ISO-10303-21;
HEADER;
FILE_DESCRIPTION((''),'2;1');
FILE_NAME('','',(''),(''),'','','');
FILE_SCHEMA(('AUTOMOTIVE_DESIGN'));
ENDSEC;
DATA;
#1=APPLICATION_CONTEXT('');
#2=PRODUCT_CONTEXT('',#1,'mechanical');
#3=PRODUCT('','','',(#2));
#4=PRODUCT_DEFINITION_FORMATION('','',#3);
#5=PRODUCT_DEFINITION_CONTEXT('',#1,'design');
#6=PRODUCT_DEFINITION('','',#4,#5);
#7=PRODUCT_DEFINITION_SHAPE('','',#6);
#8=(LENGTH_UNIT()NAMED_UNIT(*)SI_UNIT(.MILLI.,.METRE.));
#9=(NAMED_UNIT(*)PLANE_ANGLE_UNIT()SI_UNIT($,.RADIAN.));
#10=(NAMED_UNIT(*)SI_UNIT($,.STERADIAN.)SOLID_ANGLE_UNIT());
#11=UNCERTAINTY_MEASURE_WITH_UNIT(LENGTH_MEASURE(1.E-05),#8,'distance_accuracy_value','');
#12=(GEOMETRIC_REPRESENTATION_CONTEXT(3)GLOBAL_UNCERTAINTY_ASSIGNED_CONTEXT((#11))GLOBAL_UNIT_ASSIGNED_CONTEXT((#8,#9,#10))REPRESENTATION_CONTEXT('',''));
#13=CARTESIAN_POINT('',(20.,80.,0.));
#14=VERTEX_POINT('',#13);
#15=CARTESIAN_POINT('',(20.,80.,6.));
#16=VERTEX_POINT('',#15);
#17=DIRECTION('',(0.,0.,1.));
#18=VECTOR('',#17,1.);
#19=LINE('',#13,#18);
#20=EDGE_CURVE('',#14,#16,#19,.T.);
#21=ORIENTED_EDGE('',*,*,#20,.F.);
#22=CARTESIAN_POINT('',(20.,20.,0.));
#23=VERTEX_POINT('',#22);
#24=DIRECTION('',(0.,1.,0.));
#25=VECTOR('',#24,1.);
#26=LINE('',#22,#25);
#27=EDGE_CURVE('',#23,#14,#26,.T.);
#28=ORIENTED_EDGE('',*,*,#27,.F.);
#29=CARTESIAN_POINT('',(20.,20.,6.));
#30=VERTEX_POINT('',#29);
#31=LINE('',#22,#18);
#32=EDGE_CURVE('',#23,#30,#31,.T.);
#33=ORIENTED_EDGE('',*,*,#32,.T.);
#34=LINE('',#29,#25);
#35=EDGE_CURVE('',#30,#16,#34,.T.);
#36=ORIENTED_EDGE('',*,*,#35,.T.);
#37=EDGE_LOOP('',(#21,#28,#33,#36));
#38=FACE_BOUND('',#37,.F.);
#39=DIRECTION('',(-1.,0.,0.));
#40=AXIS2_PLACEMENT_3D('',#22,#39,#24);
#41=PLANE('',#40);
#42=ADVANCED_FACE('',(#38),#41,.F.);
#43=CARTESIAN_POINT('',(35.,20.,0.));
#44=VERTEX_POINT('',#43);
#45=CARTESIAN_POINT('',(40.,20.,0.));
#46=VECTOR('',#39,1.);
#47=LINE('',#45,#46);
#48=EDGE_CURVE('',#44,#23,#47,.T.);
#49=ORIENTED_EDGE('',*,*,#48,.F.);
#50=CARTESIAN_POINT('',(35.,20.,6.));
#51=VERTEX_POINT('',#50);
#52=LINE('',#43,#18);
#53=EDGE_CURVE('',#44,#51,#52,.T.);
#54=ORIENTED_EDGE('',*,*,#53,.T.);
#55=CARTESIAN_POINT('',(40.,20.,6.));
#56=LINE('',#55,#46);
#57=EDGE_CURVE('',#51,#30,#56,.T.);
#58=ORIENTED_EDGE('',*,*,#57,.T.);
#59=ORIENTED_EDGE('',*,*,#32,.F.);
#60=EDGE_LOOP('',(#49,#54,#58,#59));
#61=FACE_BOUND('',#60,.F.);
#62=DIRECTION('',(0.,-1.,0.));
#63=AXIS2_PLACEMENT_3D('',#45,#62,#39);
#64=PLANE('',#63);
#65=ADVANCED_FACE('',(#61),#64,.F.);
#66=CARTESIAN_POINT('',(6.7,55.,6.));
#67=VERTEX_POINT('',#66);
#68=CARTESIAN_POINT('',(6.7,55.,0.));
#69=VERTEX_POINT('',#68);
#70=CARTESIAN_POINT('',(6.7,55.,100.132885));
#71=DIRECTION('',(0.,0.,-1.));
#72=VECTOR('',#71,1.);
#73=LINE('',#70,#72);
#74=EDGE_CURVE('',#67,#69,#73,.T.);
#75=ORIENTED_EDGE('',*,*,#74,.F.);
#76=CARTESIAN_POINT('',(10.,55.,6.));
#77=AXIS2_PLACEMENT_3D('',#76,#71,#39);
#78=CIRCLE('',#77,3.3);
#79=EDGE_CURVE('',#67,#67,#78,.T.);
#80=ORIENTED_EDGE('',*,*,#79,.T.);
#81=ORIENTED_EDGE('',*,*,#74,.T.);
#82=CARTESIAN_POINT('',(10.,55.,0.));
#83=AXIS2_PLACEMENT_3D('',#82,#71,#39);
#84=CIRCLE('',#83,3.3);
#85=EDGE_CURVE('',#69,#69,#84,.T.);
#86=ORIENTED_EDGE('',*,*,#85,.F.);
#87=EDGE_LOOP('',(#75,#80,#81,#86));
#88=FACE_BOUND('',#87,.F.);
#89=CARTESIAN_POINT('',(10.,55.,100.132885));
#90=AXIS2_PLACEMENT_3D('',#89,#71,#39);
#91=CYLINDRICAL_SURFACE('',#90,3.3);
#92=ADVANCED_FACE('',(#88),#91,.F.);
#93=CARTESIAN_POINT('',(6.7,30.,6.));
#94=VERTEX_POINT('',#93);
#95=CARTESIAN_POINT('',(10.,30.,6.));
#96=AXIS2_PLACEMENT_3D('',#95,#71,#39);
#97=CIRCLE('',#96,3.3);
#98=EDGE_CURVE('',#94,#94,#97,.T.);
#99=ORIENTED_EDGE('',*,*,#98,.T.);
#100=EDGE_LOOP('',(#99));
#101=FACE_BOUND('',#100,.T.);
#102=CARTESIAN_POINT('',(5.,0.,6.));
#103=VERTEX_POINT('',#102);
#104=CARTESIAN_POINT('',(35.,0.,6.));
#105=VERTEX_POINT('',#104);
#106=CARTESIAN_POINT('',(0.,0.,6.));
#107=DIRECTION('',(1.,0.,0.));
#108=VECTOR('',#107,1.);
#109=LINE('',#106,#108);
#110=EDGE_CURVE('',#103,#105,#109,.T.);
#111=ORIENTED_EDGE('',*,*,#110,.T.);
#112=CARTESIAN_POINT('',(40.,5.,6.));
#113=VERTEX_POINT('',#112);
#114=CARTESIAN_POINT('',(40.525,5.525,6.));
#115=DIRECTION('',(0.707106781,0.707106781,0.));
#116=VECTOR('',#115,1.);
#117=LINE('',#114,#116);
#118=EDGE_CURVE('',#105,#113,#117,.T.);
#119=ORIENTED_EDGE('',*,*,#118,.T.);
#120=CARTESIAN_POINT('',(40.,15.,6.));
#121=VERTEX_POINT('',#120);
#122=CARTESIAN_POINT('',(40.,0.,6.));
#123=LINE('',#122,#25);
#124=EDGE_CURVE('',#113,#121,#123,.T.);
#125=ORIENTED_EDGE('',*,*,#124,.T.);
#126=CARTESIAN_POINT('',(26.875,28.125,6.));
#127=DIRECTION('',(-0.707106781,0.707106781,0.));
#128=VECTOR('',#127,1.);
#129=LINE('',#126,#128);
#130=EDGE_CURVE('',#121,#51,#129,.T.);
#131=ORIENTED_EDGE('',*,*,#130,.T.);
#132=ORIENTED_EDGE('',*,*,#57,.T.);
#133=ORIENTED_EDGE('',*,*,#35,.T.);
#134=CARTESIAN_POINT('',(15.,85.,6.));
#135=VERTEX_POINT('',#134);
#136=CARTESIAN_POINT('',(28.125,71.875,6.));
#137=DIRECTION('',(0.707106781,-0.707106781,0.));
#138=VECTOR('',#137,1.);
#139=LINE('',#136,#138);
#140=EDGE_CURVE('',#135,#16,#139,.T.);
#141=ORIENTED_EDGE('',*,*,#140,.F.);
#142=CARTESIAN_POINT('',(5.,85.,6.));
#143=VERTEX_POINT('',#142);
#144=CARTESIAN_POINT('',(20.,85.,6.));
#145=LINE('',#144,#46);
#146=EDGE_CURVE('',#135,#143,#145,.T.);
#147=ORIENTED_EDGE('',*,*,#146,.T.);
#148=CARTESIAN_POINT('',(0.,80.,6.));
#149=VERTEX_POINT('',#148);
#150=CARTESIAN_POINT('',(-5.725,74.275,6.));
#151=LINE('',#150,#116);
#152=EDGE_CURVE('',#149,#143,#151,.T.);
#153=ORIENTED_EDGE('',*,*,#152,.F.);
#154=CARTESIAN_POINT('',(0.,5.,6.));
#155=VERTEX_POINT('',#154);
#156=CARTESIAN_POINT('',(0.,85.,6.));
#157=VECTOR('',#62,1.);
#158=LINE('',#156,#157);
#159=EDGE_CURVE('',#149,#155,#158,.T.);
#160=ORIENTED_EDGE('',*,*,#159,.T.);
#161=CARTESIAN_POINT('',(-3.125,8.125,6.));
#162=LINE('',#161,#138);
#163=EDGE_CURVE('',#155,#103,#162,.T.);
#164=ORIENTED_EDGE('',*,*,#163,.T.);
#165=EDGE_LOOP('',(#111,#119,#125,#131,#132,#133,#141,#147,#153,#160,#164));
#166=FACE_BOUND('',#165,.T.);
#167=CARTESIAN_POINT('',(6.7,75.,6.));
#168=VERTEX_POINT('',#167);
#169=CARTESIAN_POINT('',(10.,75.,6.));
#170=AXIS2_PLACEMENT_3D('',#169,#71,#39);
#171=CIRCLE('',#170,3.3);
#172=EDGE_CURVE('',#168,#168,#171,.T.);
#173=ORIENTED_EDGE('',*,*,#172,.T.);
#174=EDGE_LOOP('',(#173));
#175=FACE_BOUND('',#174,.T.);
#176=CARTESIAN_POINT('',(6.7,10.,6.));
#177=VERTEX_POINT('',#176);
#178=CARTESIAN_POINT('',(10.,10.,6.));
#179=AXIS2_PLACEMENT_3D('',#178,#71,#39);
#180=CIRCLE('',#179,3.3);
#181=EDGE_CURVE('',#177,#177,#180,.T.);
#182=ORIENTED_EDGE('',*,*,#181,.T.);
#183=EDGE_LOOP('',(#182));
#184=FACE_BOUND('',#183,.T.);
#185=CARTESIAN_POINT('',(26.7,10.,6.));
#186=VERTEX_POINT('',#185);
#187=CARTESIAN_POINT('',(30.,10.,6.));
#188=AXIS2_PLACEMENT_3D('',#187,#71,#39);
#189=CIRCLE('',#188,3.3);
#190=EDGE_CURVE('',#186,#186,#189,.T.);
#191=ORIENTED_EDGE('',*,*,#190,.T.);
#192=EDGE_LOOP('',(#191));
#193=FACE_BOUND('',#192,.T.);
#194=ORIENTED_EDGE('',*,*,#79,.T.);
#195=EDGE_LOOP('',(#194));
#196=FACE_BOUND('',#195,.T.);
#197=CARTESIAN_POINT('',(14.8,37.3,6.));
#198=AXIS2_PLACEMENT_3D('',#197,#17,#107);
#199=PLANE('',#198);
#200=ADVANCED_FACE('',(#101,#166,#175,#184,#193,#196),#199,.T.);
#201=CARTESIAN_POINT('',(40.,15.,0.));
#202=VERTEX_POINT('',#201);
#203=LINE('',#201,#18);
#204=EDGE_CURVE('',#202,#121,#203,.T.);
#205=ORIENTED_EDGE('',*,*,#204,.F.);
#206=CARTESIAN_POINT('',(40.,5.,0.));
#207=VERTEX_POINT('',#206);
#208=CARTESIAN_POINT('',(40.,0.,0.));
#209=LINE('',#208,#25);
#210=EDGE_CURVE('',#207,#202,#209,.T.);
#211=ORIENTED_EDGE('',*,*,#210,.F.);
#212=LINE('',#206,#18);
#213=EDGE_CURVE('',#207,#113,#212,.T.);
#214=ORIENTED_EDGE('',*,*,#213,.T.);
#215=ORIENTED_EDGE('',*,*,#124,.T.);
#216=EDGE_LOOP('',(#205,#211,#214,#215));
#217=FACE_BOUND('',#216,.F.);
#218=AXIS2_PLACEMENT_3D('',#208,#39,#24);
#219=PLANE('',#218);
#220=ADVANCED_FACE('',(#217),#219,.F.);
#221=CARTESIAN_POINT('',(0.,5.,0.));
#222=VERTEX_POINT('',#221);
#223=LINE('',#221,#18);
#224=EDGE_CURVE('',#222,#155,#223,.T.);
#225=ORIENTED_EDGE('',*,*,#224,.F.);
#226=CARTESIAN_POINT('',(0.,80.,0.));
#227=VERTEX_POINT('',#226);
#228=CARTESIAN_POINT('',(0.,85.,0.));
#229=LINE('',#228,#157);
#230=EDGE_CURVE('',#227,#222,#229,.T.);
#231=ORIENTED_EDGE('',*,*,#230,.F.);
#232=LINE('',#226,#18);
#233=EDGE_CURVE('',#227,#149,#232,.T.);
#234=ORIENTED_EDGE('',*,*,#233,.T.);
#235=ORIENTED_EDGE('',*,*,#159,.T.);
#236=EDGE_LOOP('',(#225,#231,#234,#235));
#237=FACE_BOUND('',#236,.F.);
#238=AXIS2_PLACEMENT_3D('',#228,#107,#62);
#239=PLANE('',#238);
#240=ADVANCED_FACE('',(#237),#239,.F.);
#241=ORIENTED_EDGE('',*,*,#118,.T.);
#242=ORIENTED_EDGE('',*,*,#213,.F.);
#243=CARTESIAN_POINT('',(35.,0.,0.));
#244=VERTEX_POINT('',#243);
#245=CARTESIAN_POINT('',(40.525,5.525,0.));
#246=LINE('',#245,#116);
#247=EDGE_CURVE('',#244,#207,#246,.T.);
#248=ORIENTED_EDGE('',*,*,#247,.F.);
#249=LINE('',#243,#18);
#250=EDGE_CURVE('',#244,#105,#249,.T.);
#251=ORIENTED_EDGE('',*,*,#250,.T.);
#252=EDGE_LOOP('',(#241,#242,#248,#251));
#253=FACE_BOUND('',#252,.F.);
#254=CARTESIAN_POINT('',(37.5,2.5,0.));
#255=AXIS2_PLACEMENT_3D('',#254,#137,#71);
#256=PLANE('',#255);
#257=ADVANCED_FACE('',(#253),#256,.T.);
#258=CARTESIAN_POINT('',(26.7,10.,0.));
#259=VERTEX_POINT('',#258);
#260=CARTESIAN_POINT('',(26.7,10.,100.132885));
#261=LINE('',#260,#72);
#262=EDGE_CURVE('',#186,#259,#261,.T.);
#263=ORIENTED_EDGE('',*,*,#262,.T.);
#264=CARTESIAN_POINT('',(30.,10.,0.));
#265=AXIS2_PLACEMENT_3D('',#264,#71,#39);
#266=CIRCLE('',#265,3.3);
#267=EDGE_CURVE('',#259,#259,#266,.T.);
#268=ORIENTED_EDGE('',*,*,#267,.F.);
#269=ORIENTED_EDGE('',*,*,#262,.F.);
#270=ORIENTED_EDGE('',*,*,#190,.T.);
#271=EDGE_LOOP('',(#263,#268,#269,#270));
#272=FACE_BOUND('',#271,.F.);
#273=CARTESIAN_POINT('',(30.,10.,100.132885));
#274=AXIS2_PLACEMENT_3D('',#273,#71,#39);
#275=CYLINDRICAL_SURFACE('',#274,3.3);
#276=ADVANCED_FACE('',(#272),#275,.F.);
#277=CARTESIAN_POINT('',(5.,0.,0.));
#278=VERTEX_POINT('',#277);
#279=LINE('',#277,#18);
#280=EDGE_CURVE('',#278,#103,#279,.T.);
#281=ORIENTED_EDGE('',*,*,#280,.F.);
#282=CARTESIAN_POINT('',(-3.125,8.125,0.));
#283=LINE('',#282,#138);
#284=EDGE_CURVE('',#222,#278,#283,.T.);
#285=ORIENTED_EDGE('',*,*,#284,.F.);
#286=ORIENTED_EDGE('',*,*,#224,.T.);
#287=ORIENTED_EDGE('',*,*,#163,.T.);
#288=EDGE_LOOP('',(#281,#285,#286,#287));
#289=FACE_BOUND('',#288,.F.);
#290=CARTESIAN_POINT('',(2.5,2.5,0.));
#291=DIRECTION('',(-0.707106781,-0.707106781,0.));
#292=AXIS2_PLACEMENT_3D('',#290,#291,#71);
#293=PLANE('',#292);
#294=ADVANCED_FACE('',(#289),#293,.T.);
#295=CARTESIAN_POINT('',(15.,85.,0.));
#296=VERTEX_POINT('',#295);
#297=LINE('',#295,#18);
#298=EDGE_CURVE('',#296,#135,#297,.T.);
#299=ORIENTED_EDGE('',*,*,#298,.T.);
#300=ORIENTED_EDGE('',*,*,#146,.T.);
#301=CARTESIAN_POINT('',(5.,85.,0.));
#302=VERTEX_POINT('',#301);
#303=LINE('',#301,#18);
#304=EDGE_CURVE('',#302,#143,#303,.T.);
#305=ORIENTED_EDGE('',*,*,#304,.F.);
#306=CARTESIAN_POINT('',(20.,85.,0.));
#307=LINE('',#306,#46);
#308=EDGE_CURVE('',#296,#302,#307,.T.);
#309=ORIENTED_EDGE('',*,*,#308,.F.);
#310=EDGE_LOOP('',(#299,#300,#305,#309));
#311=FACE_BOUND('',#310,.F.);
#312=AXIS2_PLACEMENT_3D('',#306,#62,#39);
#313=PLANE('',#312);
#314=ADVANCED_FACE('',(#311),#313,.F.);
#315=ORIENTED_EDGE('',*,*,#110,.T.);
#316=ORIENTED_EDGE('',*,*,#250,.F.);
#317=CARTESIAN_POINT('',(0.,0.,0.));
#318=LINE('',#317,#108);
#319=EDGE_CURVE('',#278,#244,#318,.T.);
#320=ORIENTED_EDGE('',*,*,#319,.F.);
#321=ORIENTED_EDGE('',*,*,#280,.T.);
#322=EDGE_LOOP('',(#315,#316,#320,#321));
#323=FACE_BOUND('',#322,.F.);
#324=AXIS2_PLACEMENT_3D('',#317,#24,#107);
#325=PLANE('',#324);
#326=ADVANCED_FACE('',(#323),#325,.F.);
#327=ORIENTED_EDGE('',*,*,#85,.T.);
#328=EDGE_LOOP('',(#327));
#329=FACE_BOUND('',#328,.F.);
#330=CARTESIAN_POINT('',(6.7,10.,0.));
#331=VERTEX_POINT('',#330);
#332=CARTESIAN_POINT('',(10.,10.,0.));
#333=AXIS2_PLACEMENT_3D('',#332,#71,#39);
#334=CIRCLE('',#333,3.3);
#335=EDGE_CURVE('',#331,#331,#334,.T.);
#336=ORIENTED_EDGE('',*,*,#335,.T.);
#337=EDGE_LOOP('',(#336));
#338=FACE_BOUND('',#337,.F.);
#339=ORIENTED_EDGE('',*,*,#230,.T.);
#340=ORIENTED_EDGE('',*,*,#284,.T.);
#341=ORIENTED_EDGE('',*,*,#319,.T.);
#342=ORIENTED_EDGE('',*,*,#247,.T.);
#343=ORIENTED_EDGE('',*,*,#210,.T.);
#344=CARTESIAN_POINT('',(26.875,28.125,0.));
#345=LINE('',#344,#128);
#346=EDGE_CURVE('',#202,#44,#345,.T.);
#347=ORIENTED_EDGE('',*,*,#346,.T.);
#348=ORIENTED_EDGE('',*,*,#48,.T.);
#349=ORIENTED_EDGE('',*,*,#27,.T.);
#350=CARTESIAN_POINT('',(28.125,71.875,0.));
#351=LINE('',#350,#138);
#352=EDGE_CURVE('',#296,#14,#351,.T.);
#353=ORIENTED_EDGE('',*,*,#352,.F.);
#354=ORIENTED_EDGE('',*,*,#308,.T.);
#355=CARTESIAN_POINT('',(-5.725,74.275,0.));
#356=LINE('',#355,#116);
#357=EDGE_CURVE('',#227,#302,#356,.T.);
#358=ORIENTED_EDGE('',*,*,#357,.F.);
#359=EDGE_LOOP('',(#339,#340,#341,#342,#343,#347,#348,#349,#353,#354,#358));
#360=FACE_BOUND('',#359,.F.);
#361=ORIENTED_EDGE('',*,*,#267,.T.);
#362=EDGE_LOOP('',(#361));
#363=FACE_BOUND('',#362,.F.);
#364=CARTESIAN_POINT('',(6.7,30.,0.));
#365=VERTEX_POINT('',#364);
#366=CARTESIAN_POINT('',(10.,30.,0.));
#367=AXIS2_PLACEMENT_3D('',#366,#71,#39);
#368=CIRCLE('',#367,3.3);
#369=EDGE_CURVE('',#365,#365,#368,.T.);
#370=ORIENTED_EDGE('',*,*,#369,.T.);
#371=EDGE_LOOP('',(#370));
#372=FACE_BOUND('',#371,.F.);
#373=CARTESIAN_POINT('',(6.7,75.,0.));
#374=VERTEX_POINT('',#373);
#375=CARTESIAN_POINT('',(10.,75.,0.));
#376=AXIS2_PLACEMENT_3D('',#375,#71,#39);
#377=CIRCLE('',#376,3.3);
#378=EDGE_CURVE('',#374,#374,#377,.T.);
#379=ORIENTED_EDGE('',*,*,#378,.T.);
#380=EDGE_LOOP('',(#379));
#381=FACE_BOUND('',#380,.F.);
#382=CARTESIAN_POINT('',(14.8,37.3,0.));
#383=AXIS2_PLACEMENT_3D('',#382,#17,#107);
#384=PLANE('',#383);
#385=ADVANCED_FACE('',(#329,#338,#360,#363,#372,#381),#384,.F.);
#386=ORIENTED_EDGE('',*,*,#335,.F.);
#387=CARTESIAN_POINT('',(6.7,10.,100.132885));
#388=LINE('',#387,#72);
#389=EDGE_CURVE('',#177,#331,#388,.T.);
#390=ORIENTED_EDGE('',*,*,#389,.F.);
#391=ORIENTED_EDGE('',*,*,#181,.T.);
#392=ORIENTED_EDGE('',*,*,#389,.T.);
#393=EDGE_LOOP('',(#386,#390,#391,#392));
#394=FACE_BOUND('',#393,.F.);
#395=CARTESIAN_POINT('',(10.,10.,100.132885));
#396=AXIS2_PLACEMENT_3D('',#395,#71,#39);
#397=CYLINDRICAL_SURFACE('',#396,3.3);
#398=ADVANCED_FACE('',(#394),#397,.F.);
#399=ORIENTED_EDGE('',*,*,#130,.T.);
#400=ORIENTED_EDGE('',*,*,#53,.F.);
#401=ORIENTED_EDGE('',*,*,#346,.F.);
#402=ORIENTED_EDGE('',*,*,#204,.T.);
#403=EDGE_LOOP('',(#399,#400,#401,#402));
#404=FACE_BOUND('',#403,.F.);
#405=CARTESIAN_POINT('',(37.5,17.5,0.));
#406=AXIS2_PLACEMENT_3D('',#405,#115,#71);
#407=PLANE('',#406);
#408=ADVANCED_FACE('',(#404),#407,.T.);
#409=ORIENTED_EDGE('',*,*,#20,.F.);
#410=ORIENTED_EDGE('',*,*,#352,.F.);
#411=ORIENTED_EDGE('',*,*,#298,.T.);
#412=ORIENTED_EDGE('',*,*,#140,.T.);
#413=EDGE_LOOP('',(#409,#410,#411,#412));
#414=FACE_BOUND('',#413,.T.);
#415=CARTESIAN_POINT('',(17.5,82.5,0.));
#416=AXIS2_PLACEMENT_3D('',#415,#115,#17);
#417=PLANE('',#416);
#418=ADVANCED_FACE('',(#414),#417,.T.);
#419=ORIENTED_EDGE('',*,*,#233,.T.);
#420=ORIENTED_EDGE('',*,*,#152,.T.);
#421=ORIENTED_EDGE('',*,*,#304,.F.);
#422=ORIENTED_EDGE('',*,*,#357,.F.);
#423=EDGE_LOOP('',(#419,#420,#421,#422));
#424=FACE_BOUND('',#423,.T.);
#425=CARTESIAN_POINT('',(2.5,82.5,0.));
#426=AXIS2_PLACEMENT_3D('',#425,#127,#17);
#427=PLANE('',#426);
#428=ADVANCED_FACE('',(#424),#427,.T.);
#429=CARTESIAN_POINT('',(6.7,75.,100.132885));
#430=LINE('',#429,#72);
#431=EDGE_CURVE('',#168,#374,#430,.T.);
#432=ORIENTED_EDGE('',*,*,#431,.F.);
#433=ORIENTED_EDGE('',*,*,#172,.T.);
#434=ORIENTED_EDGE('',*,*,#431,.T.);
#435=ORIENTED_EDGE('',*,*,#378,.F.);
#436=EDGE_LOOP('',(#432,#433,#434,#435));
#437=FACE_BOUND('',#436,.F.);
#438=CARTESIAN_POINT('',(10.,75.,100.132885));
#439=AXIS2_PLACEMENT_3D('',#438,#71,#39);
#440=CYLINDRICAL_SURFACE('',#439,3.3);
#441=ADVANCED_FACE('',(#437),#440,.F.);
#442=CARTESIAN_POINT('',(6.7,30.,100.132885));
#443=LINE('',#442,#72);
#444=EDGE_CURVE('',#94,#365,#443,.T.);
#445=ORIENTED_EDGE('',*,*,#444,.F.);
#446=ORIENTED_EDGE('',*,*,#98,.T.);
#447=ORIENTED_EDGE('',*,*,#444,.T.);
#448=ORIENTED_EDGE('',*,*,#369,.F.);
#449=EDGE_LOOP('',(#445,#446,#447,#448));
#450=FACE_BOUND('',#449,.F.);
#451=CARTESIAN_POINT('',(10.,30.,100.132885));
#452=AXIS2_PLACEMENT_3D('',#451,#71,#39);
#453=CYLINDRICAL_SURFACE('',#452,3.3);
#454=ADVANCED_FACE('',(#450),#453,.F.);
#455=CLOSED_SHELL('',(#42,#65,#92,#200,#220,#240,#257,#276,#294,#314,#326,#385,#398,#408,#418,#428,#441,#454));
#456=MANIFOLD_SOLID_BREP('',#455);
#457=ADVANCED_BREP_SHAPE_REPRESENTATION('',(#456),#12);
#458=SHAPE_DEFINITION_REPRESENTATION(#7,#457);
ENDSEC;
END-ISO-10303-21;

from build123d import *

# Parameters (mm, degrees)
F1_DEPTH = 6
F3_D     = 6.6
F4_SIZE  = 5


with BuildPart() as f1:
    # F0 (on Top) → F1 (new body)
    with BuildSketch(Plane.XY):
        Polygon((0, 85), (0, 0), (15.6104657799, 0), (20, 0), (40, 0), (40, 20), (20, 20), (20, 85), align=None)
    extrude(amount=F1_DEPTH)

    # F3 (through all)
    with Locations(Plane.XY.offset(6)):
        with Locations((10, 75), (10, 55), (10, 10), (30, 10), (10, 30)):
            Hole(F3_D / 2)

    # F4
    f4_edges = [f1.edges().sort_by_distance(p)[0] for p in [
        (20, 85, 3),
        (0, 85, 3),
        (40, 20, 3),
        (40, 0, 3),
        (0, 0, 3),
    ]]
    chamfer(f4_edges, length=F4_SIZE)


solid = f1.part
